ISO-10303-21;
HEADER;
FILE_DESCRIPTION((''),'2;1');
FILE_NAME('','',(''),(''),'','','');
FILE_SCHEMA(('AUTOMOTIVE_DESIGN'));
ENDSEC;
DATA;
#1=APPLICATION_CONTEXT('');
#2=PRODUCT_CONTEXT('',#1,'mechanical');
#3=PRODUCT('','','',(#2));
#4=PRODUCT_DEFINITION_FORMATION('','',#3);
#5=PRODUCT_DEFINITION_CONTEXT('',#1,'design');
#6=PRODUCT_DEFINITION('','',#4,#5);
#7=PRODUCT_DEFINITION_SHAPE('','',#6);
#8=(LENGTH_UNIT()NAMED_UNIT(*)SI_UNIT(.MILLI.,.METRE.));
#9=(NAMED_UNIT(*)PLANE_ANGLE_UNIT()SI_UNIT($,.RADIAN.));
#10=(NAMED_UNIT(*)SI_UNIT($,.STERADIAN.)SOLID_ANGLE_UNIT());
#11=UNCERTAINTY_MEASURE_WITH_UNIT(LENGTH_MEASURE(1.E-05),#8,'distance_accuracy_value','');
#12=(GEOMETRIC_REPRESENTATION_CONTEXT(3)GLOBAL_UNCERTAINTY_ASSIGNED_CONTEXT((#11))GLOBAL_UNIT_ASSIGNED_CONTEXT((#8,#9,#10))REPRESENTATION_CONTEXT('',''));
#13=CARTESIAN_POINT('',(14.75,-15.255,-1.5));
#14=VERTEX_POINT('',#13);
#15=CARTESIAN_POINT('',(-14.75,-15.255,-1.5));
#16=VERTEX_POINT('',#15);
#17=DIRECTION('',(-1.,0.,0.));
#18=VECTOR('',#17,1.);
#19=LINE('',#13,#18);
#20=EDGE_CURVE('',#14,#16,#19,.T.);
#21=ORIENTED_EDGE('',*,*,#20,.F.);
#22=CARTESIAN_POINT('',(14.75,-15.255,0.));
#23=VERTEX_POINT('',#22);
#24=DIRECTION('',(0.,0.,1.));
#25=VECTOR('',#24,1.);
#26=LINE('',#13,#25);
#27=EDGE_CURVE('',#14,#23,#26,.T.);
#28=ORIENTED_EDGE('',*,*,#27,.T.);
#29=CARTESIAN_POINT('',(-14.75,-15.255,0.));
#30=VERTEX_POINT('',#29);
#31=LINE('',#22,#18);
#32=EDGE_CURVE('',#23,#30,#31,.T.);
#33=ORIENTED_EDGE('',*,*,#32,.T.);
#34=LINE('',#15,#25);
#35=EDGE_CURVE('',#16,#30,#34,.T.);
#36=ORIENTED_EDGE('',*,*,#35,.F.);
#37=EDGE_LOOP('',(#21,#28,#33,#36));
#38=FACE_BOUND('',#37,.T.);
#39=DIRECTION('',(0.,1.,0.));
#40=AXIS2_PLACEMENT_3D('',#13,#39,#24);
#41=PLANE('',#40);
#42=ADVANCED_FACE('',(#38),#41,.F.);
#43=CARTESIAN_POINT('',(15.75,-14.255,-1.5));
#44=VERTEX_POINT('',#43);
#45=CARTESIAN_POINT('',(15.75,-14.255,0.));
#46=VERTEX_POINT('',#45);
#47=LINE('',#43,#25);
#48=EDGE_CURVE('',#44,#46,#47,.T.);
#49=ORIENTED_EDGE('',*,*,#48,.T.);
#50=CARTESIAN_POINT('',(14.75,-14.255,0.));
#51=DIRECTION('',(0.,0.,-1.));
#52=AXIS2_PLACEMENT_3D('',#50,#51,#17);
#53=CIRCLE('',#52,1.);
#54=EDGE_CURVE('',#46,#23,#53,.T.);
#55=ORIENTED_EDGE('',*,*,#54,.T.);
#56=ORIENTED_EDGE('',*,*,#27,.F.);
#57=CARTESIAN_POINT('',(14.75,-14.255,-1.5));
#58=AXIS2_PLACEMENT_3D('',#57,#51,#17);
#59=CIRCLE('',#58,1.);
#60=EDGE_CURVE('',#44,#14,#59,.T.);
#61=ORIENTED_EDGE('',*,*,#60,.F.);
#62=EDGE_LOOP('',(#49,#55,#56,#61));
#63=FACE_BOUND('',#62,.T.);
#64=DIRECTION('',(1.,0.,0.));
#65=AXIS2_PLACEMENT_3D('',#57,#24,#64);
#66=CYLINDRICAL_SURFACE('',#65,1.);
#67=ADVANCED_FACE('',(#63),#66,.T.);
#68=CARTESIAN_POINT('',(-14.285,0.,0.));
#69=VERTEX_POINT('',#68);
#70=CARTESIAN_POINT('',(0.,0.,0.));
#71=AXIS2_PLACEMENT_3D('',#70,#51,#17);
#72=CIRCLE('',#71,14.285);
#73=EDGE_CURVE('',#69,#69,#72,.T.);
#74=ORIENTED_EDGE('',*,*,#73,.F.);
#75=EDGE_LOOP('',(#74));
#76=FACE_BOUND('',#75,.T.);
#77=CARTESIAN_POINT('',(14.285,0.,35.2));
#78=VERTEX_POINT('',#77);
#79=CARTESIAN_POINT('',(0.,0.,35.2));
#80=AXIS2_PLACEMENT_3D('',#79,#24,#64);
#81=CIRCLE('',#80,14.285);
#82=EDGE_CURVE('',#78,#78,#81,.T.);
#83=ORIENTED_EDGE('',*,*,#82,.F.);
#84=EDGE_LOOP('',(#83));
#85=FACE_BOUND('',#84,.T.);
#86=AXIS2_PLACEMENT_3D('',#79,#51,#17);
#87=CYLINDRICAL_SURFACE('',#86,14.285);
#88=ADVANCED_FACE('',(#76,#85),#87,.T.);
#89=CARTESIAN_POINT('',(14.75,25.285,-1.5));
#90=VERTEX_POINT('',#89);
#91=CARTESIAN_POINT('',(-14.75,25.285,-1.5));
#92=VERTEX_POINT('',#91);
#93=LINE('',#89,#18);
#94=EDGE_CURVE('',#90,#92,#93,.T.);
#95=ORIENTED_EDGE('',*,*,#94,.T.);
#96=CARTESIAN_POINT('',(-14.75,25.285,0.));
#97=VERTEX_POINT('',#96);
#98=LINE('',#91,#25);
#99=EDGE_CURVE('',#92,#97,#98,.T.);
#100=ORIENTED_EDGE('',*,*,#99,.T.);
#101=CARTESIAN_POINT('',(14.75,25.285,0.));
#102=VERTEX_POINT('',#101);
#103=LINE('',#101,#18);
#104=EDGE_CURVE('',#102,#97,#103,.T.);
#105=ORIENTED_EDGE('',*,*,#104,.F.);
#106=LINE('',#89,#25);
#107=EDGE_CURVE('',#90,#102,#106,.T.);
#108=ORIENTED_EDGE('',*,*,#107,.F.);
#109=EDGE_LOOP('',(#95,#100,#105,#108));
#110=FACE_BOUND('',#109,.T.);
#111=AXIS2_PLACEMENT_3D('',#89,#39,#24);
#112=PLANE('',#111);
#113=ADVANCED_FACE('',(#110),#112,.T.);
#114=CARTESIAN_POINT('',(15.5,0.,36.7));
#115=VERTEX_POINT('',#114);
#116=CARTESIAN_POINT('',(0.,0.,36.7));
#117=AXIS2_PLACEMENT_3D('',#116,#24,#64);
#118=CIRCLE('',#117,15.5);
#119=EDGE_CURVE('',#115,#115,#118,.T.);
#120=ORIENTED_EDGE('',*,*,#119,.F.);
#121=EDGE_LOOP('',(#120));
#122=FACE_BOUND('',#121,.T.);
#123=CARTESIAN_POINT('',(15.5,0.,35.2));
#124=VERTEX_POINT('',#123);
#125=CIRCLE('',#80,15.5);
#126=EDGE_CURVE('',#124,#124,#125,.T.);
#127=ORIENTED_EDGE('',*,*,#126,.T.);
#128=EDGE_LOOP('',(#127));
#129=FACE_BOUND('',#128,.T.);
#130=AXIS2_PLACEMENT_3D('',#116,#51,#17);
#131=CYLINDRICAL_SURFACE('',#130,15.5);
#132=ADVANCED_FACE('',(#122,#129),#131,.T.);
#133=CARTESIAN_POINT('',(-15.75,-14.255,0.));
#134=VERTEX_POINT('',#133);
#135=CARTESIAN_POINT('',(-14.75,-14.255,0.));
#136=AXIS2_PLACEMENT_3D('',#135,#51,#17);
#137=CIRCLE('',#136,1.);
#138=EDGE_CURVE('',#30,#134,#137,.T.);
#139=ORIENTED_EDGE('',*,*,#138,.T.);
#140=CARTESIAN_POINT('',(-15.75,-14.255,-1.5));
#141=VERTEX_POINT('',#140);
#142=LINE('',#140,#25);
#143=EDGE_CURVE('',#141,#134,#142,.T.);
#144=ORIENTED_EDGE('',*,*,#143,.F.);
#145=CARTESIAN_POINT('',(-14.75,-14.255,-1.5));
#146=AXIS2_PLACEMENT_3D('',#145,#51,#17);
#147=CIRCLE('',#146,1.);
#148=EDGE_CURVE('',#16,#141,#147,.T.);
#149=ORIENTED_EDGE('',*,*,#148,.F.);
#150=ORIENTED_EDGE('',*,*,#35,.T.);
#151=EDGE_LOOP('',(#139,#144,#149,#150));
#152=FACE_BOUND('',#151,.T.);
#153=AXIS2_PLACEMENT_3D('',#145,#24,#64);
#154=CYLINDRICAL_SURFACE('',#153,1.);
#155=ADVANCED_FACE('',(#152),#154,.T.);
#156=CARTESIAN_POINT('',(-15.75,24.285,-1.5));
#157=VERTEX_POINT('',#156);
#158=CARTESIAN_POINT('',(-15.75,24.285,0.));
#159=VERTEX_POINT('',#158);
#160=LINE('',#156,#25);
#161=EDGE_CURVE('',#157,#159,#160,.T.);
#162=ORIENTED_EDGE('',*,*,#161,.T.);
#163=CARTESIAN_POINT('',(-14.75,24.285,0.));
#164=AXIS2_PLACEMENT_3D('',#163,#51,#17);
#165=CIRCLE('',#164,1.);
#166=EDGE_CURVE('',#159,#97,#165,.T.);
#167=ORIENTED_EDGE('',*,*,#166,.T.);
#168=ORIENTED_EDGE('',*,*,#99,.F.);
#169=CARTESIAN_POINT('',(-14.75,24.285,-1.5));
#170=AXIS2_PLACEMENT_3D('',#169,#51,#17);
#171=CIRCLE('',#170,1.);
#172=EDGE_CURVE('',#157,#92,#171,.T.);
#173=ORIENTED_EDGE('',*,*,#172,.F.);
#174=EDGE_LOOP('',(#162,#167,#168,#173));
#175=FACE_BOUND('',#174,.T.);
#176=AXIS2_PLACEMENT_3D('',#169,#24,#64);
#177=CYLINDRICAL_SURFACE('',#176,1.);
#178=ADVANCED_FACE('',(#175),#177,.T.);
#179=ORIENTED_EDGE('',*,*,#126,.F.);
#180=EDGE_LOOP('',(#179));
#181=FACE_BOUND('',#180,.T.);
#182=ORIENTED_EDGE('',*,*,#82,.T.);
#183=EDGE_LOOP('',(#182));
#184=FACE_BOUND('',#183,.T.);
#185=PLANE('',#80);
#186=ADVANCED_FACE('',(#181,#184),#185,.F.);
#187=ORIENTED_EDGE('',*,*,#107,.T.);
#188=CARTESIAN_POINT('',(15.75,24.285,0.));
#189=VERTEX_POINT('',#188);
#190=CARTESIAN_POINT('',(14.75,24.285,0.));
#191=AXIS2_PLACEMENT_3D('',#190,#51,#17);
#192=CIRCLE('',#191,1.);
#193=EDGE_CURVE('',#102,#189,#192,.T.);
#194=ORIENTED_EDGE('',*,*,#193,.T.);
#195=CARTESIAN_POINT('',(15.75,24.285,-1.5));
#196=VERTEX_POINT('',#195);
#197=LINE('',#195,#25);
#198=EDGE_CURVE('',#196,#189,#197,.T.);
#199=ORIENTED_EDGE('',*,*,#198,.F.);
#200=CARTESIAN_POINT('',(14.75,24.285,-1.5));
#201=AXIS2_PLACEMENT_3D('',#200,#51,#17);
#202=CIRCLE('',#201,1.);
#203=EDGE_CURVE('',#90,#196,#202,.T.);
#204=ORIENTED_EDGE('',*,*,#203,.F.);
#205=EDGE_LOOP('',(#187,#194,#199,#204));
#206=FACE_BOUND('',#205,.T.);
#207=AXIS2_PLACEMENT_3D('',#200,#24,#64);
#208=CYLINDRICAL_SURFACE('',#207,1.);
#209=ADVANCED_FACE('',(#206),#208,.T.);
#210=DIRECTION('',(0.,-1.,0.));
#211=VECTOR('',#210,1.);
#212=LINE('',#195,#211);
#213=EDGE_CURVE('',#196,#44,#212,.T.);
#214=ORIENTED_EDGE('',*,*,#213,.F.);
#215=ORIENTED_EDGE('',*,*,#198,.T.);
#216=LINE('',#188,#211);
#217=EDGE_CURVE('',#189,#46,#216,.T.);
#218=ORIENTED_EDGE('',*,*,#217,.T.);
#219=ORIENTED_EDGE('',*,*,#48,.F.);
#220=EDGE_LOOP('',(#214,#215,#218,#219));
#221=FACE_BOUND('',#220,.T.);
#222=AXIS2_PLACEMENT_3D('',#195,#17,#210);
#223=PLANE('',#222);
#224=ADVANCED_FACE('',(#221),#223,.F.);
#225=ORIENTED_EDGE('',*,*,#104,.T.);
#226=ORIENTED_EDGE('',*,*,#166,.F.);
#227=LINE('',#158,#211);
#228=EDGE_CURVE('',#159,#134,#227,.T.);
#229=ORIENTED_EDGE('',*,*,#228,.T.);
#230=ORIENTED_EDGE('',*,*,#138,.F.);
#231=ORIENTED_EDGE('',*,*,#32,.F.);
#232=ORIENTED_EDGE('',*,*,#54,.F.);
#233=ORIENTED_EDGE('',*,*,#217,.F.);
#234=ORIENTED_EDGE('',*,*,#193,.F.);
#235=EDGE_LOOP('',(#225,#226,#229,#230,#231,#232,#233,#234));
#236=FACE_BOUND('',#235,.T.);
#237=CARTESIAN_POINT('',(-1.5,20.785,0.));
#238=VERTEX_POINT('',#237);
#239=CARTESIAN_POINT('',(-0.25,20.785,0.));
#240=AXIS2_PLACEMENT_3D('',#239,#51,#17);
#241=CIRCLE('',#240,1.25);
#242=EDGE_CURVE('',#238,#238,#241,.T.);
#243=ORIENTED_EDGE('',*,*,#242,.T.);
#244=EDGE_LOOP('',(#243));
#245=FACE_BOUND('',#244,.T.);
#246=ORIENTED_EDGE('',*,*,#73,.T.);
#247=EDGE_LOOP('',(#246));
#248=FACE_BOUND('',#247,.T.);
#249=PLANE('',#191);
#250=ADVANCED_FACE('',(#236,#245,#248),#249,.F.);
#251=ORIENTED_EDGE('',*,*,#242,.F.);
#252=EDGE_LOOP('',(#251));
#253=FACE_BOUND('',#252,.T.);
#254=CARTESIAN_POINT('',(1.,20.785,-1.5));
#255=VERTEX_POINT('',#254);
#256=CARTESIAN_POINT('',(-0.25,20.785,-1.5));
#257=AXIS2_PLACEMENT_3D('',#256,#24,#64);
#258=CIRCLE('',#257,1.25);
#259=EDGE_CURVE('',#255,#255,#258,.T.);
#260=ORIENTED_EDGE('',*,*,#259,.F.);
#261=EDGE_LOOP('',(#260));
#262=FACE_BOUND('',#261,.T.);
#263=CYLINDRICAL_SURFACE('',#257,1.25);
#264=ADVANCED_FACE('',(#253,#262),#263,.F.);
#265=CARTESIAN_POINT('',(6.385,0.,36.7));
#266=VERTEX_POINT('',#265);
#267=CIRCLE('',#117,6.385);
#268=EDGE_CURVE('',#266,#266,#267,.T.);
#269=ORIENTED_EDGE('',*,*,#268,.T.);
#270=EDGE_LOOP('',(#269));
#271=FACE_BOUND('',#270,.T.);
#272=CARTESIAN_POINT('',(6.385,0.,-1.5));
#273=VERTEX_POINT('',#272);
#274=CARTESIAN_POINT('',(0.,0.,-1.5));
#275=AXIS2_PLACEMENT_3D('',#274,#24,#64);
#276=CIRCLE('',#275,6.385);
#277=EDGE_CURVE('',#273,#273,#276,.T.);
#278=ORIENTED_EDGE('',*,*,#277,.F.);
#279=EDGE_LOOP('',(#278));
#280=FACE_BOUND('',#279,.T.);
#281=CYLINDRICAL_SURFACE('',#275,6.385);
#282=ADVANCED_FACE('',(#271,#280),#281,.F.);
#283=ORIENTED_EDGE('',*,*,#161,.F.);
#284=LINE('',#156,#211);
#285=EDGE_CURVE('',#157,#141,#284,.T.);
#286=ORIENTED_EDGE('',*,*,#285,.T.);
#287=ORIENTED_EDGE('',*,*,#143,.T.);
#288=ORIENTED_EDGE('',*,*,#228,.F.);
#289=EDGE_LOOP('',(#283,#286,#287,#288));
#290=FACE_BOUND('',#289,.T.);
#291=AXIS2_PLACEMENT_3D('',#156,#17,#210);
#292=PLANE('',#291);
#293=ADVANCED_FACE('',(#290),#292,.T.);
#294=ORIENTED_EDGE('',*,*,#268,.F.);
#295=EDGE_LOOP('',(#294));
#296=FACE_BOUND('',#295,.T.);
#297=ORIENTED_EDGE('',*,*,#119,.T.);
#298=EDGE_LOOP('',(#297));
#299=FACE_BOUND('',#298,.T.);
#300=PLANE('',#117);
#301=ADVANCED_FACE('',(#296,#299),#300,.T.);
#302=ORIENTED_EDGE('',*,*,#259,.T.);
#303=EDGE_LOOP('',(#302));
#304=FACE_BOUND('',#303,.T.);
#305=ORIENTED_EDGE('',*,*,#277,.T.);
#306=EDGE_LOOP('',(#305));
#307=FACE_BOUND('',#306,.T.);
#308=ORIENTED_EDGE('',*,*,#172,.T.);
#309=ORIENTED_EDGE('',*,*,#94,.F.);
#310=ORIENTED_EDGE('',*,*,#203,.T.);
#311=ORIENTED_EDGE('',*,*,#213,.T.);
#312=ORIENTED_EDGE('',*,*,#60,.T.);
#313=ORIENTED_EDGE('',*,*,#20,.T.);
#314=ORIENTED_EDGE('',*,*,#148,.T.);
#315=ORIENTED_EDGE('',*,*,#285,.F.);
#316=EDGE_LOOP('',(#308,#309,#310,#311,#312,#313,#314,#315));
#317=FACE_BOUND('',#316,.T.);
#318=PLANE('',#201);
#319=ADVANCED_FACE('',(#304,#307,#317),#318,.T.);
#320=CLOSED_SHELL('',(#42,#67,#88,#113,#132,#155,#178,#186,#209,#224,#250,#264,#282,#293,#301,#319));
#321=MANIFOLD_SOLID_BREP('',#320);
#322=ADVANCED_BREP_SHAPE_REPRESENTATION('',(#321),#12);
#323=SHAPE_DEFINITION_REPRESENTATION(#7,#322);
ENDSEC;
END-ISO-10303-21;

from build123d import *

# Parameters (mm, degrees)
ESQUISSE1_R             = 14.285
BOSS_EXTRU_1_DEPTH      = 35.2
ESQUISSE2_R             = 15.5
BOSS_EXTRU_2_DEPTH      = 1.5
BOSS_EXTRU_3_DEPTH      = 1.5
ESQUISSE3_R             = 6.385
ESQUISSE3_R_2           = 1.25
ENL_V_MAT_EXTRU_1_DEPTH = 39.2


with BuildPart() as part:
    # Esquisse1 → Boss.-Extru.1 (new body)
    with BuildSketch(Plane.XY):
        Circle(ESQUISSE1_R)
    extrude(amount=BOSS_EXTRU_1_DEPTH)

    # Esquisse2 → Boss.-Extru.2 (add)
    with BuildSketch(Plane.XY.offset(35.2)):
        Circle(ESQUISSE2_R)
    extrude(amount=BOSS_EXTRU_2_DEPTH)

    # Esquisse4 → Boss.-Extru.3 (add)
    with BuildSketch(Plane(origin=(0, 0, 0), x_dir=(-1, 0, 0), z_dir=(0, 0, -1))):
        with BuildLine():
            Line((-14.75, 25.285), (14.75, 25.285))
            ThreePointArc((14.75, 25.285), (15.457106781, 24.992106781), (15.75, 24.285))
            Line((15.75, 24.285), (15.75, -14.255))
            ThreePointArc((15.75, -14.255), (15.457106781, -14.962106781), (14.75, -15.255))
            Line((14.75, -15.255), (-14.75, -15.255))
            ThreePointArc((-14.75, -15.255), (-15.457106781, -14.962106781), (-15.75, -14.255))
            Line((-15.75, -14.255), (-15.75, 24.285))
            ThreePointArc((-15.75, 24.285), (-15.457106781, 24.992106781), (-14.75, 25.285))
        make_face()
    extrude(amount=BOSS_EXTRU_3_DEPTH)

    # Esquisse3 → Enlèv. mat.-Extru.1 (cut, through all)
    with BuildSketch(Plane.XY.offset(36.7)):
        Circle(ESQUISSE3_R)
        with Locations((-0.25, 20.785)):
            Circle(ESQUISSE3_R_2)
    extrude(amount=-ENL_V_MAT_EXTRU_1_DEPTH, mode=Mode.SUBTRACT)


solid = part.part
